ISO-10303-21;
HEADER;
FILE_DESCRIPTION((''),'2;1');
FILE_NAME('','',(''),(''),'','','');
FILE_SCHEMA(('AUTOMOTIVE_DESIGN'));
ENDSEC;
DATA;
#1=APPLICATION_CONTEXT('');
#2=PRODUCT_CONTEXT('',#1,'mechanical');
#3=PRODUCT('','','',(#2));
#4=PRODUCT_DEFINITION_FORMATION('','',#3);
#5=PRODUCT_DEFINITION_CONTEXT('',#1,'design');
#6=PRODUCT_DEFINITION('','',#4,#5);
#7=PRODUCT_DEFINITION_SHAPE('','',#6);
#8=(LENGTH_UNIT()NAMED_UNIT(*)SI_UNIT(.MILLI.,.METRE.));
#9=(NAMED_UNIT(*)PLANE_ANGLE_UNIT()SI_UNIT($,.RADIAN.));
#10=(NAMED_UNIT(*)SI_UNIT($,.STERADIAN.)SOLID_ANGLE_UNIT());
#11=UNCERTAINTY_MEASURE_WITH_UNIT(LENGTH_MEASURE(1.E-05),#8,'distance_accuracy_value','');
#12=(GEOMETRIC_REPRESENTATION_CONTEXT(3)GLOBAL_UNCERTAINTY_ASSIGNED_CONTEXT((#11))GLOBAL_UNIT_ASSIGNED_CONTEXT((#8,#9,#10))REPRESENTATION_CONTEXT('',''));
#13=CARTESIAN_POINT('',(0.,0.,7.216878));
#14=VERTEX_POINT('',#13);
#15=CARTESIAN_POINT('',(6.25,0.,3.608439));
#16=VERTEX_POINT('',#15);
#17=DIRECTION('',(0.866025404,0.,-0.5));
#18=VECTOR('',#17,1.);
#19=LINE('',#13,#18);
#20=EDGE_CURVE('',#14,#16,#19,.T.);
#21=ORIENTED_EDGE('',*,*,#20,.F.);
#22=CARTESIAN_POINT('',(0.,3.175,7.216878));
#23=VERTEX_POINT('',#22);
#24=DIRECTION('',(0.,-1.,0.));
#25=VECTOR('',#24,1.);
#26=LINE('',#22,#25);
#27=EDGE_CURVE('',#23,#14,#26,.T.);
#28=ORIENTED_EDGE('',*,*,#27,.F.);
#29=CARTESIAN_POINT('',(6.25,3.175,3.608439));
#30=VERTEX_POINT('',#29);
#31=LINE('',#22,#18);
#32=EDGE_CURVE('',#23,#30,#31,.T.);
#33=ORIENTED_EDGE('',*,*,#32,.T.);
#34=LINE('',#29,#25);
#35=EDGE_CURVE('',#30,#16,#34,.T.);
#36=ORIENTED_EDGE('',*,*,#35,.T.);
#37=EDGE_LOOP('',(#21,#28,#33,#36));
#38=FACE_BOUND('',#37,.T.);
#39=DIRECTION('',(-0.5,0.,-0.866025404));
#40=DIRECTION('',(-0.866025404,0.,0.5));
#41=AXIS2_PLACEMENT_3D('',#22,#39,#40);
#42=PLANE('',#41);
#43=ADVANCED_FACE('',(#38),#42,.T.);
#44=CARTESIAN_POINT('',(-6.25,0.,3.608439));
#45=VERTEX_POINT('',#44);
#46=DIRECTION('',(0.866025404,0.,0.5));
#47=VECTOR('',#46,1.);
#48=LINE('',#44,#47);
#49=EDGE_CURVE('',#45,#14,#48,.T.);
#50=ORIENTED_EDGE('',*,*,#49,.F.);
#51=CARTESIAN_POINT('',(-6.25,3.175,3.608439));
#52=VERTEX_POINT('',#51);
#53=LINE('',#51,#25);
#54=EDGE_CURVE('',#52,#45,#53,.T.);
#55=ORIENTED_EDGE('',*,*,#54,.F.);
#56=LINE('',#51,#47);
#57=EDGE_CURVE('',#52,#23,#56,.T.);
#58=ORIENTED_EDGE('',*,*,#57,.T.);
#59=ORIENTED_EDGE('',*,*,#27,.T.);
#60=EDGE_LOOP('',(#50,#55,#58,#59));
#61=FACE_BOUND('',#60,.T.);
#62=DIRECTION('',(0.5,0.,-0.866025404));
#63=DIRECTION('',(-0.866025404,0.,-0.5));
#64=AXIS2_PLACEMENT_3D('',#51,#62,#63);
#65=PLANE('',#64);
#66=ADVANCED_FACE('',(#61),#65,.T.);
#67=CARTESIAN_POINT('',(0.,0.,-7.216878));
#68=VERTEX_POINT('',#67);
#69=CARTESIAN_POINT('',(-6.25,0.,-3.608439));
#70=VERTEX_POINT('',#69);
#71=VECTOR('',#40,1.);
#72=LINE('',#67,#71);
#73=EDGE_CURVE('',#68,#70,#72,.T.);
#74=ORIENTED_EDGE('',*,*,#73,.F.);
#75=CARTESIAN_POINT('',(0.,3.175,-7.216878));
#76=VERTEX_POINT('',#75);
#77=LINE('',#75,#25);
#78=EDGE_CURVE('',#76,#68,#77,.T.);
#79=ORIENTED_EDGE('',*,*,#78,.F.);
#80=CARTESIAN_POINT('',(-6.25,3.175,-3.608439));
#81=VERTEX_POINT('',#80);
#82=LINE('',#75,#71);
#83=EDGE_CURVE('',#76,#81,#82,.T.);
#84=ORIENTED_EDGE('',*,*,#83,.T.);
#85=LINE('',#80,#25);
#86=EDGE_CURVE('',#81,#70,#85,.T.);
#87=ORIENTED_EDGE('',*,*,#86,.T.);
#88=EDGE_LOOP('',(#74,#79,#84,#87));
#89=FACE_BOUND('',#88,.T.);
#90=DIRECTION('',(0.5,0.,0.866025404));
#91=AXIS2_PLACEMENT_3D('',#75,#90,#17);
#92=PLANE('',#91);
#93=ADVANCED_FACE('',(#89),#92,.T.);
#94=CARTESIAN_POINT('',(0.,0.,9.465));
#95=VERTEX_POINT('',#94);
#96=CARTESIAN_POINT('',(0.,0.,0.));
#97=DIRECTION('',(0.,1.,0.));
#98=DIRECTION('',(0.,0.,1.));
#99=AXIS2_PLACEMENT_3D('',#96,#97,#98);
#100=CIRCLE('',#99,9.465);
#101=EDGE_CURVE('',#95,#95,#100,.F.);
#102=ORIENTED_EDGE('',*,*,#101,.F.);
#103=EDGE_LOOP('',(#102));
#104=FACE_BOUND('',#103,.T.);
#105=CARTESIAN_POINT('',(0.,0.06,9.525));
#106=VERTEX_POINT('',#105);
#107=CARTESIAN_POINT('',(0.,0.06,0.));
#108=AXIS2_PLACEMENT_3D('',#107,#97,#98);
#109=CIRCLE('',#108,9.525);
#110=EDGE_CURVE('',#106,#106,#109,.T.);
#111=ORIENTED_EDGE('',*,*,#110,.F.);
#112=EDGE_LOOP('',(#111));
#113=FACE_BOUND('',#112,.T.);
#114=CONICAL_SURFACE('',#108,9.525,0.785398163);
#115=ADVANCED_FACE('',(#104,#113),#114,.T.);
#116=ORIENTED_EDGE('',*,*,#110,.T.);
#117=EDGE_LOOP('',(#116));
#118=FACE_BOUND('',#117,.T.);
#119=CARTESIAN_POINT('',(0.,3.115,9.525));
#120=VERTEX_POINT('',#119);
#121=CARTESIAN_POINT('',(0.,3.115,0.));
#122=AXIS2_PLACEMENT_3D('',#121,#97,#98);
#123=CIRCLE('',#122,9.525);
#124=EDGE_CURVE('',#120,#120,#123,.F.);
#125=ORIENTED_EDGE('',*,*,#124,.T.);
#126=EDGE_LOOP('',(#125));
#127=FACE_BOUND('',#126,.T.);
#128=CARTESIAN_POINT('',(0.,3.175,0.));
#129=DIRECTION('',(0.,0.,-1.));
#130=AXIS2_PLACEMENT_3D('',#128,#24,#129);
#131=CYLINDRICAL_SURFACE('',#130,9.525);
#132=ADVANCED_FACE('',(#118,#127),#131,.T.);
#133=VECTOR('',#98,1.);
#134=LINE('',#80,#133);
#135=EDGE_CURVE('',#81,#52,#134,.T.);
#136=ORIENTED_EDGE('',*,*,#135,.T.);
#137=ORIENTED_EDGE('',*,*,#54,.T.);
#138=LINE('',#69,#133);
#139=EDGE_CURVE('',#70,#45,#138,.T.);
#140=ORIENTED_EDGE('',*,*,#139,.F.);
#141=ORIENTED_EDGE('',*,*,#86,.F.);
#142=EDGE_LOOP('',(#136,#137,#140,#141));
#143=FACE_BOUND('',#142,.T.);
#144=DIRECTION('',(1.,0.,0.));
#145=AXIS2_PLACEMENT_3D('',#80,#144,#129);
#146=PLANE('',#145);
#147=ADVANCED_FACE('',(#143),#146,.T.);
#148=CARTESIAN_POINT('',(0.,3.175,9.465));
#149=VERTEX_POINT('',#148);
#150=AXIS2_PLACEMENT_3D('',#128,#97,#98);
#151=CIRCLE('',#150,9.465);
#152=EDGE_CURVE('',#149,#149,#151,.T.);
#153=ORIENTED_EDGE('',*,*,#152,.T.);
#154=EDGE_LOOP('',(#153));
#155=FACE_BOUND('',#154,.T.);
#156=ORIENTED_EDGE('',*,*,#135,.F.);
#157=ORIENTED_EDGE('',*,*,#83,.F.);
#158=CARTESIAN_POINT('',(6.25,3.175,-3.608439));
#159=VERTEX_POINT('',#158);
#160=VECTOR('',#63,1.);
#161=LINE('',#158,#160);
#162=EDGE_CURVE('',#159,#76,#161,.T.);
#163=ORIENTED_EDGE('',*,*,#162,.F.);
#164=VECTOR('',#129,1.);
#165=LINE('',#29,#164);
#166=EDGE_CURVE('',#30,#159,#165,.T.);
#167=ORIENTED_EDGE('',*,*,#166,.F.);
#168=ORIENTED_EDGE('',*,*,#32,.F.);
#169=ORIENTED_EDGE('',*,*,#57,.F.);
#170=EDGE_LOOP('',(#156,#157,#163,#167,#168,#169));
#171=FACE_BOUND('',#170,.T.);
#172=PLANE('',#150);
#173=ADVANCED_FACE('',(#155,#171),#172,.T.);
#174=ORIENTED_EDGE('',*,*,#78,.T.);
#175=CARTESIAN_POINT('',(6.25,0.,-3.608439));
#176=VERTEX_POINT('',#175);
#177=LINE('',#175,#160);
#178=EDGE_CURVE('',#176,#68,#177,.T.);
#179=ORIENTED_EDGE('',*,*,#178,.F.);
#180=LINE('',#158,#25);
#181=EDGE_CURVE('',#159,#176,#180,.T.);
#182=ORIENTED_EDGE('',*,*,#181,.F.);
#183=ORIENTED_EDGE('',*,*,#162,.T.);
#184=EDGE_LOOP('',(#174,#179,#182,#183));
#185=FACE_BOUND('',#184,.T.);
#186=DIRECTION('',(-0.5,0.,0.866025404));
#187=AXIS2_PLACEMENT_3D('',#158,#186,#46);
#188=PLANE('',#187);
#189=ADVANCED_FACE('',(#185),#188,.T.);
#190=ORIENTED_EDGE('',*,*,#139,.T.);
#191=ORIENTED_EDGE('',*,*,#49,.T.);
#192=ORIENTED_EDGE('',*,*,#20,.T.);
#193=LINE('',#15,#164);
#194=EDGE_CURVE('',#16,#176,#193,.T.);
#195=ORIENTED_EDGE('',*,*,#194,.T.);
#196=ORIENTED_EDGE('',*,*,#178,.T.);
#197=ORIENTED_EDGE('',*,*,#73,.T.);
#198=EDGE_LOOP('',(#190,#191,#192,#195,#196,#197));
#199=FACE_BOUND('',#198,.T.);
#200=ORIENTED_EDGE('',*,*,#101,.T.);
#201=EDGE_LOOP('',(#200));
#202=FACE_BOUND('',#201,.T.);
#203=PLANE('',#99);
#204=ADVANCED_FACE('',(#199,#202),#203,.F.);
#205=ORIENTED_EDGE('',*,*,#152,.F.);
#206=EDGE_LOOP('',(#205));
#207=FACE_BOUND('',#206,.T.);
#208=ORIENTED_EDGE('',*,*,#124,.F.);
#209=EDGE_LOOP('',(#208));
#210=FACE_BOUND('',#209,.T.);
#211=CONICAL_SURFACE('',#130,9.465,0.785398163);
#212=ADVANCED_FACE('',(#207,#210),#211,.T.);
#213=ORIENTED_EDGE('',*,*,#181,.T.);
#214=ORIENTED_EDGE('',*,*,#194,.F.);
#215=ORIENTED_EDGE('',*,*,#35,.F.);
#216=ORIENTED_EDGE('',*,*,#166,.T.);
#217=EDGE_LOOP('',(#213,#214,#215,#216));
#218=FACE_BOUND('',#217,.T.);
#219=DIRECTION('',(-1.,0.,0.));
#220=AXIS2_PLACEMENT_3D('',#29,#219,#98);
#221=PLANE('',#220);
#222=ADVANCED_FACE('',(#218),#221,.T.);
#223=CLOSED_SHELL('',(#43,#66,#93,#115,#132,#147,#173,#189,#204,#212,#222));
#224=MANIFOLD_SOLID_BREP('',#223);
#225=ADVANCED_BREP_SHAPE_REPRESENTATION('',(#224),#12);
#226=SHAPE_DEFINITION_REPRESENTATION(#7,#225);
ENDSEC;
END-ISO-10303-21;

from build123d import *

# Parameters (mm, degrees)
SKETCH1_R           = 9.525
BOSS_EXTRUDE1_DEPTH = 3.175
CHAMFER1_SIZE       = 0.06
CHAMFER2_SIZE       = 0.06


with BuildPart() as part:
    # Sketch1 → Boss-Extrude1 (new body)
    with BuildSketch(Plane(origin=(0, 0, 0), x_dir=(1, 0, 0), z_dir=(0, 1, 0))):
        with Locations(Location((0, 0, 0), (0, 0, 270))):
            Circle(SKETCH1_R)
        Polygon((0, 7.216878365), (-6.25, 3.608439182), (-6.25, -3.608439182), (0, -7.216878365), (6.25, -3.608439182), (6.25, 3.608439182), align=None, mode=Mode.SUBTRACT)
    extrude(amount=BOSS_EXTRUDE1_DEPTH)

    # Chamfer1
    chamfer1_edges = [part.edges().sort_by_distance(p)[0] for p in [
        (0, 0, -9.525),
    ]]
    chamfer(chamfer1_edges, length=CHAMFER1_SIZE)

    # Chamfer2
    chamfer2_edges = [part.edges().sort_by_distance(p)[0] for p in [
        (0, 3.175, -9.525),
    ]]
    chamfer(chamfer2_edges, length=CHAMFER2_SIZE)


solid = part.part
